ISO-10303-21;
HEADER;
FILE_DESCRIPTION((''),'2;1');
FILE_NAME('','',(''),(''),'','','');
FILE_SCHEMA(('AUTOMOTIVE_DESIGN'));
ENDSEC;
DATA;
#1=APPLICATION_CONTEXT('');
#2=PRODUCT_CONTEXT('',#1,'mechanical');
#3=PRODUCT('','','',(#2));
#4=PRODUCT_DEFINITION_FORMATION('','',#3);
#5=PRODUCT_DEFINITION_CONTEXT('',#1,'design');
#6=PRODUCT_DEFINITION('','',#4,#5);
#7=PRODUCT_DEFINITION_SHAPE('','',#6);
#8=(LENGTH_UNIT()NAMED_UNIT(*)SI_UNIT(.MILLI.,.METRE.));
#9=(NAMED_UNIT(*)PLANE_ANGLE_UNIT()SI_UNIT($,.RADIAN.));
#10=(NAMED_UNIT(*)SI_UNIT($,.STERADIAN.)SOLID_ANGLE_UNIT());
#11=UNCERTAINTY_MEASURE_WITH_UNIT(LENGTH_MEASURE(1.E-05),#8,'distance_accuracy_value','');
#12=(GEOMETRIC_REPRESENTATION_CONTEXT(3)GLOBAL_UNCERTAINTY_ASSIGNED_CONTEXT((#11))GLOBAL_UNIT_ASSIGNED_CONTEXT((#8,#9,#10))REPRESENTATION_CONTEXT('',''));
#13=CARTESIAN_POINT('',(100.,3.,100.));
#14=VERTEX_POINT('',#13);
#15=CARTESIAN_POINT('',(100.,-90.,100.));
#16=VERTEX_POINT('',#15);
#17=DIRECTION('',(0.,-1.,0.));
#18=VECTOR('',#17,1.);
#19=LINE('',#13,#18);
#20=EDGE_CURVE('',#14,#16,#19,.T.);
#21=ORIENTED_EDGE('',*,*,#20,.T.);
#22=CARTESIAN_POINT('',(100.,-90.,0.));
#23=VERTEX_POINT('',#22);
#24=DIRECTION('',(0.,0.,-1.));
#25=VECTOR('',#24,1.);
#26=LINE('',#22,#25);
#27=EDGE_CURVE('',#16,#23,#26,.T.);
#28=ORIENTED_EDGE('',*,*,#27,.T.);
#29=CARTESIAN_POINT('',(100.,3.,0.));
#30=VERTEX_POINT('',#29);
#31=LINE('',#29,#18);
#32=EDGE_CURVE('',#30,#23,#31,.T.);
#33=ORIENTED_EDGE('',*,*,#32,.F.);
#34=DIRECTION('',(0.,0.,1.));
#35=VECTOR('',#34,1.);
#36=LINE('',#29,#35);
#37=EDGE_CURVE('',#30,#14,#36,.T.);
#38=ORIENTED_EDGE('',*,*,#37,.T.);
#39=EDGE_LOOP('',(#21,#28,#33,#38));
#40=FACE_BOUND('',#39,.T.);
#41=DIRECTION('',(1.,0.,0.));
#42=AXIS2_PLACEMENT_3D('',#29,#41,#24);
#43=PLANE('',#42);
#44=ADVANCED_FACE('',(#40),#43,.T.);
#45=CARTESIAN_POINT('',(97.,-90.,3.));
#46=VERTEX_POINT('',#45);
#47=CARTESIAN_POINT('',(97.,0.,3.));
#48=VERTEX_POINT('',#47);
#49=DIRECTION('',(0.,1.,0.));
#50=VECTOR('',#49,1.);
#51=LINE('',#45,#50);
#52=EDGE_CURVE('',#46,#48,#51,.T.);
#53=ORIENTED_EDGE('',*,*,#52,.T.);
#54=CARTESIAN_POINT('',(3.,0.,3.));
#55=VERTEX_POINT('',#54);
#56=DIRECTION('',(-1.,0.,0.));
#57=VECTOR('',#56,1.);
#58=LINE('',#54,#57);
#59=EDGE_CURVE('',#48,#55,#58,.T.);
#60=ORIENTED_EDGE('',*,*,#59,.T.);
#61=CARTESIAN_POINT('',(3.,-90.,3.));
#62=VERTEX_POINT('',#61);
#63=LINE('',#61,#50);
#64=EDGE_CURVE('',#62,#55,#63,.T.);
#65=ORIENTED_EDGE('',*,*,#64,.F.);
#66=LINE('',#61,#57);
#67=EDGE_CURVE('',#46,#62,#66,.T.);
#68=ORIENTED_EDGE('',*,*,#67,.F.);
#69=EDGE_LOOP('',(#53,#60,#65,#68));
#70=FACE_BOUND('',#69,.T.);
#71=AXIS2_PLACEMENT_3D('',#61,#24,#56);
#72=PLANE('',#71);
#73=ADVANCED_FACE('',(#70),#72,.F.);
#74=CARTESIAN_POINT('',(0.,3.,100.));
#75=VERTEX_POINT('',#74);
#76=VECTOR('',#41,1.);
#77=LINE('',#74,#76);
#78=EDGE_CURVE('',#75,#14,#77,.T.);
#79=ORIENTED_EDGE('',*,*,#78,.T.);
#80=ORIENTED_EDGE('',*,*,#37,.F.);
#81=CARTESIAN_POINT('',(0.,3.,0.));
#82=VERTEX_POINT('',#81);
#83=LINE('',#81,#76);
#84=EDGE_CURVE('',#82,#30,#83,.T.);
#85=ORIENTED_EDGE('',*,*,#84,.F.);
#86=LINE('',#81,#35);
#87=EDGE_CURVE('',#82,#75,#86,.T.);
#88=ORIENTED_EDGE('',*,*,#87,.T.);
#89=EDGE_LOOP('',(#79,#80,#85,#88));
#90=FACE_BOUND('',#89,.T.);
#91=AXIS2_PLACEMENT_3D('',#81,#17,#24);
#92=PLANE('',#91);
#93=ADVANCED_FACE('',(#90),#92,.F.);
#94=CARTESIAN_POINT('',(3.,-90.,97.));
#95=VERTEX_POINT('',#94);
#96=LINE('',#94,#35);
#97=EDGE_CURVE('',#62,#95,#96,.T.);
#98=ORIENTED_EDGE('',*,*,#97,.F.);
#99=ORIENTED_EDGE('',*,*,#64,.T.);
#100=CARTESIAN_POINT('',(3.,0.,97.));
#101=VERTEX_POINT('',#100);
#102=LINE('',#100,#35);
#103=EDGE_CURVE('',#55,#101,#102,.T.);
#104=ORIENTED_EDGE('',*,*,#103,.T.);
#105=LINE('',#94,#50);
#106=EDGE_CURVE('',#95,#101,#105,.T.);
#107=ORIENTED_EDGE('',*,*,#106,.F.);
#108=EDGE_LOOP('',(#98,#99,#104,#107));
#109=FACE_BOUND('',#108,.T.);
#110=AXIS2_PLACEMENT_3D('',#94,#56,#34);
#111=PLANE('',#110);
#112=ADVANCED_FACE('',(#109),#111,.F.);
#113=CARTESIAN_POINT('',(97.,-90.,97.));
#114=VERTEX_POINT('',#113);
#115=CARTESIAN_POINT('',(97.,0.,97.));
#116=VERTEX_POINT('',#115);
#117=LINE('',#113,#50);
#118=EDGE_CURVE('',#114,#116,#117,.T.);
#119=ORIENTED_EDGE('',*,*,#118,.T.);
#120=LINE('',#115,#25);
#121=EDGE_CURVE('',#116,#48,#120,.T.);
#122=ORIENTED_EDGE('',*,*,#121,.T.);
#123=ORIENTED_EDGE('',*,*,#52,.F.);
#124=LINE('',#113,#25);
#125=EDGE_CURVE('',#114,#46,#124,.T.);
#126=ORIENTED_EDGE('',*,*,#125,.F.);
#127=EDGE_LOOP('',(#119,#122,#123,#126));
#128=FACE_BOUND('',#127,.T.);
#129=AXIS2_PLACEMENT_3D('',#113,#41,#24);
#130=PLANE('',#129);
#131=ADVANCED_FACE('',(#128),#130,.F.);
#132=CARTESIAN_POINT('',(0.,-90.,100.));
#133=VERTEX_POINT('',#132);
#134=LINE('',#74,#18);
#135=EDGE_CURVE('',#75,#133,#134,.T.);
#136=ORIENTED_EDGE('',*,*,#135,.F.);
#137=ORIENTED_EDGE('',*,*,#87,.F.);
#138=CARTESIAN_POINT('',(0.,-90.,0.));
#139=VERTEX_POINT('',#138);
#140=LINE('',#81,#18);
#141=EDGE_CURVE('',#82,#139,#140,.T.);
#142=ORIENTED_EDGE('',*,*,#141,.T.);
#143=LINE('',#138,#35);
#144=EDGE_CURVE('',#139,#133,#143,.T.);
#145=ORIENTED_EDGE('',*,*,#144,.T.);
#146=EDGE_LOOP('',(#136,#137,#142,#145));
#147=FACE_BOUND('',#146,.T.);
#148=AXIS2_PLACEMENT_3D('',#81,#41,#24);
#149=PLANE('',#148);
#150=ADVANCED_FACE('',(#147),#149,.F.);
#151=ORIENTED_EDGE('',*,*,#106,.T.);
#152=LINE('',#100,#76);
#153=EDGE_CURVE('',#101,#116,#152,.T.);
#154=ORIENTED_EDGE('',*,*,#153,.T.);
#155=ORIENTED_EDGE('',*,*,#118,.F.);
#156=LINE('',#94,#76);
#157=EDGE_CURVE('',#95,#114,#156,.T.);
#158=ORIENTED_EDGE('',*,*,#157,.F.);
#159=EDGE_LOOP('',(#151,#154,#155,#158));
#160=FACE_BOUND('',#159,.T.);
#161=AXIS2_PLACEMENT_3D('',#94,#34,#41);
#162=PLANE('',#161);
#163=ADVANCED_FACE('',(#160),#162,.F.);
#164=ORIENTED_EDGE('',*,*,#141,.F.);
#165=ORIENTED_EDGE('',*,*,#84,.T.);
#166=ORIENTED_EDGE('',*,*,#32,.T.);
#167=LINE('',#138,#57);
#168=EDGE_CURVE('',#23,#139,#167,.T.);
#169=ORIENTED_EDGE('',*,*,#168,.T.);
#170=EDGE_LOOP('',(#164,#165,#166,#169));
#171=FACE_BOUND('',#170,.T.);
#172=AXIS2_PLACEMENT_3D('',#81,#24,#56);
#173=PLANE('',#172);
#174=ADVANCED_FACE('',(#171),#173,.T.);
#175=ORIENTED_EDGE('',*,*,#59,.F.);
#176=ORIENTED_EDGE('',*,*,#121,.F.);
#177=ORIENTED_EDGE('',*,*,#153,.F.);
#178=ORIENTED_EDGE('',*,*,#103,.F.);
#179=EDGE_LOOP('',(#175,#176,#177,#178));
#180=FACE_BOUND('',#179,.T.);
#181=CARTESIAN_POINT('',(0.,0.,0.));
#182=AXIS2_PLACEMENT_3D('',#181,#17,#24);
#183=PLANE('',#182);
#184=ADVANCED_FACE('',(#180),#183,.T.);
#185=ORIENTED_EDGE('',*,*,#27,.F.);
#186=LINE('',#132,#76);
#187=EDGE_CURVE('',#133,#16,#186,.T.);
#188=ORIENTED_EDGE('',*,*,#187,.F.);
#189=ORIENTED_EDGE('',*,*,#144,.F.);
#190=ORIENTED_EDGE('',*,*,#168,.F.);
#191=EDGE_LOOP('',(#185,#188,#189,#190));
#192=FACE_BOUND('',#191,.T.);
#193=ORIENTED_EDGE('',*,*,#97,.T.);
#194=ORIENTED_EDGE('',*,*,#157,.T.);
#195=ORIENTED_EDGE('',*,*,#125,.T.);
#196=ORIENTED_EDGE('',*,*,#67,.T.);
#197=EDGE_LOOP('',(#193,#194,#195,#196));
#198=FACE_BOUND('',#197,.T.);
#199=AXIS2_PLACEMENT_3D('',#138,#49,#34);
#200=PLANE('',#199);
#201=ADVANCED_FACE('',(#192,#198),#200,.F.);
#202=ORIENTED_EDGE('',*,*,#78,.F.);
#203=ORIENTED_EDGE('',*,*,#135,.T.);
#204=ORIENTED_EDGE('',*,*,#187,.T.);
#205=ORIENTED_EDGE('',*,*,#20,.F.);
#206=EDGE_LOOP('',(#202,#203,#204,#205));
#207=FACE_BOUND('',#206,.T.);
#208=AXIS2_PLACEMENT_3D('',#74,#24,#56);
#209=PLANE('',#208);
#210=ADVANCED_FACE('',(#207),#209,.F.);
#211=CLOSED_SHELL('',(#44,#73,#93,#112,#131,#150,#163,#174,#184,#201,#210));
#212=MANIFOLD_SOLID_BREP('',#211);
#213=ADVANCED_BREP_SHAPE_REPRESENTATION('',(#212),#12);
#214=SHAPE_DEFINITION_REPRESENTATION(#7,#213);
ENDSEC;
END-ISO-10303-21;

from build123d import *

# Parameters (mm, degrees)
SKETCH_1_W      = 100
SKETCH_1_H      = 100
EXTRUDE_1_DEPTH = 3
SKETCH_1_3_W    = 100
SKETCH_1_3_H    = 100
SKETCH_1_3_W_2  = 94
SKETCH_1_3_H_2  = 94
EXTRUDE_2_DEPTH = 90


with BuildPart() as part:
    # 草图1 → 凸台-拉伸1 (new body)
    with BuildSketch(Plane(origin=(0, 0, 0), x_dir=(1, 0, 0), z_dir=(0, 1, 0))):
        with Locations((50, -50)):
            Rectangle(SKETCH_1_W, SKETCH_1_H)
    extrude(amount=EXTRUDE_1_DEPTH)

    # 草图1<3> → 凸台-拉伸2 (add)
    with BuildSketch(Plane(origin=(0, 0, 0), x_dir=(1, 0, 0), z_dir=(0, 1, 0))):
        with Locations((50, -50)):
            Rectangle(SKETCH_1_3_W, SKETCH_1_3_H)
        with Locations((50, -50)):
            Rectangle(SKETCH_1_3_W_2, SKETCH_1_3_H_2, mode=Mode.SUBTRACT)
    extrude(amount=-EXTRUDE_2_DEPTH)


solid = part.part
